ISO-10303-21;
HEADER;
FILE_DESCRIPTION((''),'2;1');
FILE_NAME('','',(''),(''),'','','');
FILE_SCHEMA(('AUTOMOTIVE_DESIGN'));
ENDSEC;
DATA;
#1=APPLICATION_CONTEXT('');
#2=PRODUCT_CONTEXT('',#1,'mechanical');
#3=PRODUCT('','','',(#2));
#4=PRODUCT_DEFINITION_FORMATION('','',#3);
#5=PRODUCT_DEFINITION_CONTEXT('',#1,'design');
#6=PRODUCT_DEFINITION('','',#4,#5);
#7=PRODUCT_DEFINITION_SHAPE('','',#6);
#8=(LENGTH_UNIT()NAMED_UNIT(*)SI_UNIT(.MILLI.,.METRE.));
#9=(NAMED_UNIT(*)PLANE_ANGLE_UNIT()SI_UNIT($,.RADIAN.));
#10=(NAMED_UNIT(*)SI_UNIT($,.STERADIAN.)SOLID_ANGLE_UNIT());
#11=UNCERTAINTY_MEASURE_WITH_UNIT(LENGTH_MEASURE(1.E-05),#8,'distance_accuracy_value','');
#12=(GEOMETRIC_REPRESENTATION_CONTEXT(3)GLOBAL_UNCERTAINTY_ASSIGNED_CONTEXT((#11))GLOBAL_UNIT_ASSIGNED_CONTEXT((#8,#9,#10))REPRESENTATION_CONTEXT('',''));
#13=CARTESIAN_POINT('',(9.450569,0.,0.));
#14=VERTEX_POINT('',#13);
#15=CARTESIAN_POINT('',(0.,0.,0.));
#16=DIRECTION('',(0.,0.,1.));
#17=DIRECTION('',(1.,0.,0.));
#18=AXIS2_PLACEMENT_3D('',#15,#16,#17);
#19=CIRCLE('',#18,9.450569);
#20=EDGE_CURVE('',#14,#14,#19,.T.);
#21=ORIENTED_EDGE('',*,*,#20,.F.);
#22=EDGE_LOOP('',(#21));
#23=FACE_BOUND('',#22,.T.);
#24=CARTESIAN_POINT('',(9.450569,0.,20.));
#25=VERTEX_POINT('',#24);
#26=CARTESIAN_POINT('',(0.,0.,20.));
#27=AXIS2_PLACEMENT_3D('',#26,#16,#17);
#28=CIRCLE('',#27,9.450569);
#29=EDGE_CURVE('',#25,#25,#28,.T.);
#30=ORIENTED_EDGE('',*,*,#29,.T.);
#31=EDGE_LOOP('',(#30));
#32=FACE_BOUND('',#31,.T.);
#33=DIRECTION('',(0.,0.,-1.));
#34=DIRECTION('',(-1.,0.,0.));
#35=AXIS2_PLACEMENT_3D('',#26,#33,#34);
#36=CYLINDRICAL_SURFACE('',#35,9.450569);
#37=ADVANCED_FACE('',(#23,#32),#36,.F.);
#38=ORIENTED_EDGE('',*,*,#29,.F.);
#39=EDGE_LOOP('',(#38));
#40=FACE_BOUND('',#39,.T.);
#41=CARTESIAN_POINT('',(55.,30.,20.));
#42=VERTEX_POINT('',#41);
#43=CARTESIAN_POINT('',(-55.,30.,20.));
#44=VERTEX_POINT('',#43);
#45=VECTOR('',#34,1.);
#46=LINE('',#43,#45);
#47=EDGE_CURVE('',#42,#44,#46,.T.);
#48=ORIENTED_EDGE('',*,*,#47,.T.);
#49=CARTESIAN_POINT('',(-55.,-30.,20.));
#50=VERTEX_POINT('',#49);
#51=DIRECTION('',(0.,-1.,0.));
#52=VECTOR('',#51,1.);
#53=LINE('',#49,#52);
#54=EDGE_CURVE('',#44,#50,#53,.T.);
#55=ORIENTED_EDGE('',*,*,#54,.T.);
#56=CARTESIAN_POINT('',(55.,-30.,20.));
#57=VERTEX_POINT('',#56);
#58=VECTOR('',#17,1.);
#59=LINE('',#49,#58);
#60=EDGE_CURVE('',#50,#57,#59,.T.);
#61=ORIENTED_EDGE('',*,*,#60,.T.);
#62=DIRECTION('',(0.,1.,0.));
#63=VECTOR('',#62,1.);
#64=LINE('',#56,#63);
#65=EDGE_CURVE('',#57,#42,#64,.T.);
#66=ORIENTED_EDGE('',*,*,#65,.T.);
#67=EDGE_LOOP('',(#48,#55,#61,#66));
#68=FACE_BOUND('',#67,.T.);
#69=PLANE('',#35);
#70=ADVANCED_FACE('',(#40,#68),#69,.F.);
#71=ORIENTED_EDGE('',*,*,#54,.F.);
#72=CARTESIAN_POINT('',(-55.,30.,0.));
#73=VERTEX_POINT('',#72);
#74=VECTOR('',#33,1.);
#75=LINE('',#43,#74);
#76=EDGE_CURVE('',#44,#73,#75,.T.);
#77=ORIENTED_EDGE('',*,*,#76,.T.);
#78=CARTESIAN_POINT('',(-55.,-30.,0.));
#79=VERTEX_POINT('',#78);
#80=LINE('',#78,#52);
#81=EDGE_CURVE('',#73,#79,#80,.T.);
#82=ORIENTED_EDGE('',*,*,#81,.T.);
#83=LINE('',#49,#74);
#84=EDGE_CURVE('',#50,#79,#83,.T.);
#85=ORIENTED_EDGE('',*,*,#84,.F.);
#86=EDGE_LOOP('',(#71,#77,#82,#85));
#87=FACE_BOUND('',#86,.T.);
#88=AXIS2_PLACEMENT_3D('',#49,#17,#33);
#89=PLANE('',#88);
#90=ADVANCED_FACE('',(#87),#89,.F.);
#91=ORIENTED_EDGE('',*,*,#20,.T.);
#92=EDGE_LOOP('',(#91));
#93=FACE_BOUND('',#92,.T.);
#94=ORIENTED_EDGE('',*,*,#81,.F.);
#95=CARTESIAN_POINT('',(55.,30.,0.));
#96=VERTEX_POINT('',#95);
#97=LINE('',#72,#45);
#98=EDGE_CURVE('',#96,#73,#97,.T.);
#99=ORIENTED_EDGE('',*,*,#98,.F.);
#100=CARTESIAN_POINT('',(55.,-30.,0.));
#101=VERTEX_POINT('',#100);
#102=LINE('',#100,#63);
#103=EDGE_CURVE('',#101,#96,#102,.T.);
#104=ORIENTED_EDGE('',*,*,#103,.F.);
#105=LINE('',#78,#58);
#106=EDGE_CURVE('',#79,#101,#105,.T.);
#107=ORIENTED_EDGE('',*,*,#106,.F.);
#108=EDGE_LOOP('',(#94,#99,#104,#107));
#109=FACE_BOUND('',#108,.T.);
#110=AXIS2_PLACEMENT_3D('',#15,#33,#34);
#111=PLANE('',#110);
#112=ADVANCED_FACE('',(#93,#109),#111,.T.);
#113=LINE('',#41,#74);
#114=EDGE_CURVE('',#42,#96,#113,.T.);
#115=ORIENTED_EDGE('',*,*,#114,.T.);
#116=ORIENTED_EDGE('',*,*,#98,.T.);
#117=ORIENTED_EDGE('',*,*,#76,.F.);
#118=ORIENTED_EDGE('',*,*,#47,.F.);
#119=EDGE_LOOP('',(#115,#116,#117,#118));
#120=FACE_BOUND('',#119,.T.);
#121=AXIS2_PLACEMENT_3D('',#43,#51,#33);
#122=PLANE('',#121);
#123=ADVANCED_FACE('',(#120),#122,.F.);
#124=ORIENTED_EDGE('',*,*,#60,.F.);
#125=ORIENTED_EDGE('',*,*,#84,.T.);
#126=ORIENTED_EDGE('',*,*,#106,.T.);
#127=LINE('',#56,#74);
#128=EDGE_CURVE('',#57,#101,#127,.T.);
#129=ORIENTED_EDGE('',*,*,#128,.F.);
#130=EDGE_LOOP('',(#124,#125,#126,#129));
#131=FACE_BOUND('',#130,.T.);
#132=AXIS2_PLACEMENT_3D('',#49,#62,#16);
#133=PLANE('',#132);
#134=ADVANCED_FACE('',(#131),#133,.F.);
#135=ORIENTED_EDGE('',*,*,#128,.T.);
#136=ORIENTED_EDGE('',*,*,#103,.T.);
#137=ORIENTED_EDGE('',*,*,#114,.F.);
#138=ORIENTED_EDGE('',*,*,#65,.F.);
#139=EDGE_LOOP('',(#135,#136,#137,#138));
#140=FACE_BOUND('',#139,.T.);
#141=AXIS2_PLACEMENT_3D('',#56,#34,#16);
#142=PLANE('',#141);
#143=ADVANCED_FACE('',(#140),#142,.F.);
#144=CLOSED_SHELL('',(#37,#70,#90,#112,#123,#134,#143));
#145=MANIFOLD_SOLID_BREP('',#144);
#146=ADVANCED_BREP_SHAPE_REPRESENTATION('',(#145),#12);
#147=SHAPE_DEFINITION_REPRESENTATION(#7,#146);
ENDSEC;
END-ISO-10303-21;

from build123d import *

# Parameters (mm, degrees)
SKIZZE1_W                       = 110
SKIZZE1_H                       = 60
SKIZZE1_R                       = 9.450568715
AUFSATZ_LINEAR_AUSTRAGEN1_DEPTH = 20


with BuildPart() as part:
    # Skizze1 → Aufsatz-Linear austragen1 (new body)
    with BuildSketch(Plane.XY):
        Rectangle(SKIZZE1_W, SKIZZE1_H)
        Circle(SKIZZE1_R, mode=Mode.SUBTRACT)
    extrude(amount=AUFSATZ_LINEAR_AUSTRAGEN1_DEPTH)


solid = part.part
